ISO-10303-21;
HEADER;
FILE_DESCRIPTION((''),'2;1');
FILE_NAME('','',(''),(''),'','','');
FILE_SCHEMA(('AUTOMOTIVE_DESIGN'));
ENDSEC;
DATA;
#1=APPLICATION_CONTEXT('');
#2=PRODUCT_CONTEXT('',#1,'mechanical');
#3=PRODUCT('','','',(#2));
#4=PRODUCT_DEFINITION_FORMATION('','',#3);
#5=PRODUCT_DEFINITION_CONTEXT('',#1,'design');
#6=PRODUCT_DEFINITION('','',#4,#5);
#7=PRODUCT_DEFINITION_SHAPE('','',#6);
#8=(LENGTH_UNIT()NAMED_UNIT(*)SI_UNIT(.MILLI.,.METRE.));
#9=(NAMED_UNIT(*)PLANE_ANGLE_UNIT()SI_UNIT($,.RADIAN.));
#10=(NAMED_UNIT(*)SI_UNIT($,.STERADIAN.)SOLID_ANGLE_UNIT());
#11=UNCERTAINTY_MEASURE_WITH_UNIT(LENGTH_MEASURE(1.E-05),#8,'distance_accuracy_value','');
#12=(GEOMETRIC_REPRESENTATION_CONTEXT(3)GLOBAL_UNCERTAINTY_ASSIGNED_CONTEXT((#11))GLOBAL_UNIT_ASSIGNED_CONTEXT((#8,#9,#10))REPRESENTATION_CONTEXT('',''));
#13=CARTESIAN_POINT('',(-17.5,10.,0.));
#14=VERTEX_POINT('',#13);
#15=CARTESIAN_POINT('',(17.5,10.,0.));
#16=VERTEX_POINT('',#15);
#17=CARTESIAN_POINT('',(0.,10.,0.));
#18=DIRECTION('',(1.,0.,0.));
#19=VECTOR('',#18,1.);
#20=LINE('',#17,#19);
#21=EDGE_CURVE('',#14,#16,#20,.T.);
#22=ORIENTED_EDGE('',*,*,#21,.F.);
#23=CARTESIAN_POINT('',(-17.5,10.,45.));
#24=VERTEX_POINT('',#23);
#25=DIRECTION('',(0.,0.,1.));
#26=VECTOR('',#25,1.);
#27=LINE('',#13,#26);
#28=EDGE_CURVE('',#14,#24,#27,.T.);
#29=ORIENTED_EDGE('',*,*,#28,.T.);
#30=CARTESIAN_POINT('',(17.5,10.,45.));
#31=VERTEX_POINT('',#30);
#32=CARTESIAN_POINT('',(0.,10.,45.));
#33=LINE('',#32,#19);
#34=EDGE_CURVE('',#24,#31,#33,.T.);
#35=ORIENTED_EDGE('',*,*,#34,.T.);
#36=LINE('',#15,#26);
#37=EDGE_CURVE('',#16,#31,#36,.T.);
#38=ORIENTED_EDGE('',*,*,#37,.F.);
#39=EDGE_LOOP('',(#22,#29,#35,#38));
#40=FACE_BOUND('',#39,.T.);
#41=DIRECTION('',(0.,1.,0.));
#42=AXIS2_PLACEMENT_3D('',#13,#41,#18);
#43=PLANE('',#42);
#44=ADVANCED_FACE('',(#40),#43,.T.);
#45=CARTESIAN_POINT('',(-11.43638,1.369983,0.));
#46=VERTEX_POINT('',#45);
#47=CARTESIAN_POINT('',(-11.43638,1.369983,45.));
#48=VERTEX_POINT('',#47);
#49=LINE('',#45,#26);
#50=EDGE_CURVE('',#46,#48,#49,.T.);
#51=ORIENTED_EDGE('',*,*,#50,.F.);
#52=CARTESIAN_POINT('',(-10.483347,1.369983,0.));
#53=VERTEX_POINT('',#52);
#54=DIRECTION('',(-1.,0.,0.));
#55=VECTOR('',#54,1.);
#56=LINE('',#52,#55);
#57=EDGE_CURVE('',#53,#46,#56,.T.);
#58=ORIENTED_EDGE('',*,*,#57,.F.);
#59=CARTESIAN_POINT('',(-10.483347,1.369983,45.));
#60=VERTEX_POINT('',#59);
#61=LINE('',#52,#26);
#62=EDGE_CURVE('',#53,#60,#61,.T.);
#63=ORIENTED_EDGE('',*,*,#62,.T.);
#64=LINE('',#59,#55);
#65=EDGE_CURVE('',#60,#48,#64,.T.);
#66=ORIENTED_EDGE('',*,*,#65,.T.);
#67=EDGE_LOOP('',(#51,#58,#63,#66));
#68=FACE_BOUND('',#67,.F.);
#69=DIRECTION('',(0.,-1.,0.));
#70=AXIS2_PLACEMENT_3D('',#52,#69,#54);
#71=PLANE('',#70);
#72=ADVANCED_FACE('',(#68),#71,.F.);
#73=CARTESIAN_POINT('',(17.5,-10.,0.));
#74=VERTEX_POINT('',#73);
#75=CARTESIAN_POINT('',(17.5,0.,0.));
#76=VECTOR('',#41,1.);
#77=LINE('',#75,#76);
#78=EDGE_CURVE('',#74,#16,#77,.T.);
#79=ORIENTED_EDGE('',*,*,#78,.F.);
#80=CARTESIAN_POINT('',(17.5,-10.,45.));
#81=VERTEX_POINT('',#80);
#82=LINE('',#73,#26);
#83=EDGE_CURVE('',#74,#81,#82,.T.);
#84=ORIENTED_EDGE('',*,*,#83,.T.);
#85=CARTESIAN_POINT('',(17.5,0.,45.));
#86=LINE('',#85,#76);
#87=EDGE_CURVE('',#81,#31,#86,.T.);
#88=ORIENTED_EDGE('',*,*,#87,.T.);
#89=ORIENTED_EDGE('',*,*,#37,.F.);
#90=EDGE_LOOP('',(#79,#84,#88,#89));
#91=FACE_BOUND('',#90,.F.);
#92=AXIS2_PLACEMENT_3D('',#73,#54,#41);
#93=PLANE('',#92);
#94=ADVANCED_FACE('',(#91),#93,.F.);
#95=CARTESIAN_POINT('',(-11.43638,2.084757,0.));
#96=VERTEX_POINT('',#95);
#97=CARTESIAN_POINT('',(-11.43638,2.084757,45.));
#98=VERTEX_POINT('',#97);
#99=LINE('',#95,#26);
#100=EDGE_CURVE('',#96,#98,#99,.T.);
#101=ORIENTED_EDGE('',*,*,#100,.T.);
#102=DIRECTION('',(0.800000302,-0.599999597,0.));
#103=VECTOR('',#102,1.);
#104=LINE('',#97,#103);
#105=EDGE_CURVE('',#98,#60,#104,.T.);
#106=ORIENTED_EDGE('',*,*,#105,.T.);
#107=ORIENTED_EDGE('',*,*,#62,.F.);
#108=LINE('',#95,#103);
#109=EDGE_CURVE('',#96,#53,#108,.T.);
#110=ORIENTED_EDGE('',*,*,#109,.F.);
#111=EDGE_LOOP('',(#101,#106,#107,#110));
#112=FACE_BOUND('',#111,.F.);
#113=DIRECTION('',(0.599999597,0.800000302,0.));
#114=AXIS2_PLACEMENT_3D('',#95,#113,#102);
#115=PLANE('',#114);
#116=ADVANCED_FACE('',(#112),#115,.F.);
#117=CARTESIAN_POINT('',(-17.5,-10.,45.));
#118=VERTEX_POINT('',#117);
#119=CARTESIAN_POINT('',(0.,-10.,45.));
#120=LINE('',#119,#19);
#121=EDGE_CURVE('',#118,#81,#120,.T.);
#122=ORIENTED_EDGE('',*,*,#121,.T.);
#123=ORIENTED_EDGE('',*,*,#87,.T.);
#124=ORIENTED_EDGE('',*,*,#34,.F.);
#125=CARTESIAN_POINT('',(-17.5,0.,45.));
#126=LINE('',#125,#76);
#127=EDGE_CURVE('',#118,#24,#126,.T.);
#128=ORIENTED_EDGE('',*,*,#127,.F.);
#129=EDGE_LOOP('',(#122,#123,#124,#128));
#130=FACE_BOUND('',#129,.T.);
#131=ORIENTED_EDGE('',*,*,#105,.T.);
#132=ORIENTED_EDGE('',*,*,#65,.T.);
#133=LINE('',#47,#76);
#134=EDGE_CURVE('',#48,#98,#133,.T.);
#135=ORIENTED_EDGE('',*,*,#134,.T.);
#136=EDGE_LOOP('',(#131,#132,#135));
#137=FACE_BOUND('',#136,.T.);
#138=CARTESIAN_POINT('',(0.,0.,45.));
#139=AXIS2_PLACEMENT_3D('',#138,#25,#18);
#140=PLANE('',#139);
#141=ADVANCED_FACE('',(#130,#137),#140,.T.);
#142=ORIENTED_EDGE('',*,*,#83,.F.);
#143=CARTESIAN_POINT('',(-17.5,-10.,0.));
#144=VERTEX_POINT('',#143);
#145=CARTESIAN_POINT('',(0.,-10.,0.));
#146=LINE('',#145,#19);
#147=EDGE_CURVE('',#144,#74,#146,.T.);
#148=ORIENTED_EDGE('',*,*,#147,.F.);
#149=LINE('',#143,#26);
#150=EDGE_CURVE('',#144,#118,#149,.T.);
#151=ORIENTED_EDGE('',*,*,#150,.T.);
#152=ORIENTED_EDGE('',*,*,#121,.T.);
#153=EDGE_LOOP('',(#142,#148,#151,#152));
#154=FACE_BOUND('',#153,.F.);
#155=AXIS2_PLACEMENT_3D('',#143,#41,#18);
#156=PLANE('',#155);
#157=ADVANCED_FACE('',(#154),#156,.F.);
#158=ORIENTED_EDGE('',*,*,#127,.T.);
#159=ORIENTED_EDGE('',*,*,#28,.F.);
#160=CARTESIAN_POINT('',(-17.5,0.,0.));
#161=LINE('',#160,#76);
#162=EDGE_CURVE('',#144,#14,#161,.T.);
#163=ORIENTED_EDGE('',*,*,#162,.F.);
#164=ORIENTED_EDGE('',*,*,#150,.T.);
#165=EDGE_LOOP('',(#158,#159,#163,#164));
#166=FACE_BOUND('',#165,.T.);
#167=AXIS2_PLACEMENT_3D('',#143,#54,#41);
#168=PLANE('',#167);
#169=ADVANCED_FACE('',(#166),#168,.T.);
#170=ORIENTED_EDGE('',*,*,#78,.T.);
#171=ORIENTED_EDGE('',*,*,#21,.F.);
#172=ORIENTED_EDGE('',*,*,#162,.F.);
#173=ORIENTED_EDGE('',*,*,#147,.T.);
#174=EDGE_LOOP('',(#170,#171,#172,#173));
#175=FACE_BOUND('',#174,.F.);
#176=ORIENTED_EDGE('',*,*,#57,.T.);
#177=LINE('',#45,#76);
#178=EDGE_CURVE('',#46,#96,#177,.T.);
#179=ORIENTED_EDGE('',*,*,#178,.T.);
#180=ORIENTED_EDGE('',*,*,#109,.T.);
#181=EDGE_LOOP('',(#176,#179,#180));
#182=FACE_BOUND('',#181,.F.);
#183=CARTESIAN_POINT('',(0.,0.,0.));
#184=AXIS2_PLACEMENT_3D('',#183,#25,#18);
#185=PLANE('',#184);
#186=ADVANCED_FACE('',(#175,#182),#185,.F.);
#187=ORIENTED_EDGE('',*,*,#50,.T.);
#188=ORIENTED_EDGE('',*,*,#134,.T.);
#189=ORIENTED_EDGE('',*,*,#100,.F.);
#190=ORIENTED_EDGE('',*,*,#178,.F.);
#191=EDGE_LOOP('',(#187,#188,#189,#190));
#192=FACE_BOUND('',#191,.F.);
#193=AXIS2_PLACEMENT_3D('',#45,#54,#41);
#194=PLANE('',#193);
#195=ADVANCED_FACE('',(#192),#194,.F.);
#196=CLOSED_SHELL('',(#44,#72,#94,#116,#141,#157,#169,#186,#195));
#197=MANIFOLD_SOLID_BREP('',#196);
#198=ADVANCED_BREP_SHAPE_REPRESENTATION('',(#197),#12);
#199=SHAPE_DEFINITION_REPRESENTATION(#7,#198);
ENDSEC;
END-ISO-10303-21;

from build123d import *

# Parameters (mm, degrees)
F0_W     = 35
F0_H     = 20
F1_DEPTH = 45


with BuildPart() as f1:
    # F0 (on Top) → F1 (new body)
    with BuildSketch(Plane.XY):
        Rectangle(F0_W, F0_H)
        Polygon((-11.43638, 1.369983), (-11.43638, 2.084757), (-10.483347, 1.369983), align=None, mode=Mode.SUBTRACT)
    extrude(amount=F1_DEPTH)


solid = f1.part
